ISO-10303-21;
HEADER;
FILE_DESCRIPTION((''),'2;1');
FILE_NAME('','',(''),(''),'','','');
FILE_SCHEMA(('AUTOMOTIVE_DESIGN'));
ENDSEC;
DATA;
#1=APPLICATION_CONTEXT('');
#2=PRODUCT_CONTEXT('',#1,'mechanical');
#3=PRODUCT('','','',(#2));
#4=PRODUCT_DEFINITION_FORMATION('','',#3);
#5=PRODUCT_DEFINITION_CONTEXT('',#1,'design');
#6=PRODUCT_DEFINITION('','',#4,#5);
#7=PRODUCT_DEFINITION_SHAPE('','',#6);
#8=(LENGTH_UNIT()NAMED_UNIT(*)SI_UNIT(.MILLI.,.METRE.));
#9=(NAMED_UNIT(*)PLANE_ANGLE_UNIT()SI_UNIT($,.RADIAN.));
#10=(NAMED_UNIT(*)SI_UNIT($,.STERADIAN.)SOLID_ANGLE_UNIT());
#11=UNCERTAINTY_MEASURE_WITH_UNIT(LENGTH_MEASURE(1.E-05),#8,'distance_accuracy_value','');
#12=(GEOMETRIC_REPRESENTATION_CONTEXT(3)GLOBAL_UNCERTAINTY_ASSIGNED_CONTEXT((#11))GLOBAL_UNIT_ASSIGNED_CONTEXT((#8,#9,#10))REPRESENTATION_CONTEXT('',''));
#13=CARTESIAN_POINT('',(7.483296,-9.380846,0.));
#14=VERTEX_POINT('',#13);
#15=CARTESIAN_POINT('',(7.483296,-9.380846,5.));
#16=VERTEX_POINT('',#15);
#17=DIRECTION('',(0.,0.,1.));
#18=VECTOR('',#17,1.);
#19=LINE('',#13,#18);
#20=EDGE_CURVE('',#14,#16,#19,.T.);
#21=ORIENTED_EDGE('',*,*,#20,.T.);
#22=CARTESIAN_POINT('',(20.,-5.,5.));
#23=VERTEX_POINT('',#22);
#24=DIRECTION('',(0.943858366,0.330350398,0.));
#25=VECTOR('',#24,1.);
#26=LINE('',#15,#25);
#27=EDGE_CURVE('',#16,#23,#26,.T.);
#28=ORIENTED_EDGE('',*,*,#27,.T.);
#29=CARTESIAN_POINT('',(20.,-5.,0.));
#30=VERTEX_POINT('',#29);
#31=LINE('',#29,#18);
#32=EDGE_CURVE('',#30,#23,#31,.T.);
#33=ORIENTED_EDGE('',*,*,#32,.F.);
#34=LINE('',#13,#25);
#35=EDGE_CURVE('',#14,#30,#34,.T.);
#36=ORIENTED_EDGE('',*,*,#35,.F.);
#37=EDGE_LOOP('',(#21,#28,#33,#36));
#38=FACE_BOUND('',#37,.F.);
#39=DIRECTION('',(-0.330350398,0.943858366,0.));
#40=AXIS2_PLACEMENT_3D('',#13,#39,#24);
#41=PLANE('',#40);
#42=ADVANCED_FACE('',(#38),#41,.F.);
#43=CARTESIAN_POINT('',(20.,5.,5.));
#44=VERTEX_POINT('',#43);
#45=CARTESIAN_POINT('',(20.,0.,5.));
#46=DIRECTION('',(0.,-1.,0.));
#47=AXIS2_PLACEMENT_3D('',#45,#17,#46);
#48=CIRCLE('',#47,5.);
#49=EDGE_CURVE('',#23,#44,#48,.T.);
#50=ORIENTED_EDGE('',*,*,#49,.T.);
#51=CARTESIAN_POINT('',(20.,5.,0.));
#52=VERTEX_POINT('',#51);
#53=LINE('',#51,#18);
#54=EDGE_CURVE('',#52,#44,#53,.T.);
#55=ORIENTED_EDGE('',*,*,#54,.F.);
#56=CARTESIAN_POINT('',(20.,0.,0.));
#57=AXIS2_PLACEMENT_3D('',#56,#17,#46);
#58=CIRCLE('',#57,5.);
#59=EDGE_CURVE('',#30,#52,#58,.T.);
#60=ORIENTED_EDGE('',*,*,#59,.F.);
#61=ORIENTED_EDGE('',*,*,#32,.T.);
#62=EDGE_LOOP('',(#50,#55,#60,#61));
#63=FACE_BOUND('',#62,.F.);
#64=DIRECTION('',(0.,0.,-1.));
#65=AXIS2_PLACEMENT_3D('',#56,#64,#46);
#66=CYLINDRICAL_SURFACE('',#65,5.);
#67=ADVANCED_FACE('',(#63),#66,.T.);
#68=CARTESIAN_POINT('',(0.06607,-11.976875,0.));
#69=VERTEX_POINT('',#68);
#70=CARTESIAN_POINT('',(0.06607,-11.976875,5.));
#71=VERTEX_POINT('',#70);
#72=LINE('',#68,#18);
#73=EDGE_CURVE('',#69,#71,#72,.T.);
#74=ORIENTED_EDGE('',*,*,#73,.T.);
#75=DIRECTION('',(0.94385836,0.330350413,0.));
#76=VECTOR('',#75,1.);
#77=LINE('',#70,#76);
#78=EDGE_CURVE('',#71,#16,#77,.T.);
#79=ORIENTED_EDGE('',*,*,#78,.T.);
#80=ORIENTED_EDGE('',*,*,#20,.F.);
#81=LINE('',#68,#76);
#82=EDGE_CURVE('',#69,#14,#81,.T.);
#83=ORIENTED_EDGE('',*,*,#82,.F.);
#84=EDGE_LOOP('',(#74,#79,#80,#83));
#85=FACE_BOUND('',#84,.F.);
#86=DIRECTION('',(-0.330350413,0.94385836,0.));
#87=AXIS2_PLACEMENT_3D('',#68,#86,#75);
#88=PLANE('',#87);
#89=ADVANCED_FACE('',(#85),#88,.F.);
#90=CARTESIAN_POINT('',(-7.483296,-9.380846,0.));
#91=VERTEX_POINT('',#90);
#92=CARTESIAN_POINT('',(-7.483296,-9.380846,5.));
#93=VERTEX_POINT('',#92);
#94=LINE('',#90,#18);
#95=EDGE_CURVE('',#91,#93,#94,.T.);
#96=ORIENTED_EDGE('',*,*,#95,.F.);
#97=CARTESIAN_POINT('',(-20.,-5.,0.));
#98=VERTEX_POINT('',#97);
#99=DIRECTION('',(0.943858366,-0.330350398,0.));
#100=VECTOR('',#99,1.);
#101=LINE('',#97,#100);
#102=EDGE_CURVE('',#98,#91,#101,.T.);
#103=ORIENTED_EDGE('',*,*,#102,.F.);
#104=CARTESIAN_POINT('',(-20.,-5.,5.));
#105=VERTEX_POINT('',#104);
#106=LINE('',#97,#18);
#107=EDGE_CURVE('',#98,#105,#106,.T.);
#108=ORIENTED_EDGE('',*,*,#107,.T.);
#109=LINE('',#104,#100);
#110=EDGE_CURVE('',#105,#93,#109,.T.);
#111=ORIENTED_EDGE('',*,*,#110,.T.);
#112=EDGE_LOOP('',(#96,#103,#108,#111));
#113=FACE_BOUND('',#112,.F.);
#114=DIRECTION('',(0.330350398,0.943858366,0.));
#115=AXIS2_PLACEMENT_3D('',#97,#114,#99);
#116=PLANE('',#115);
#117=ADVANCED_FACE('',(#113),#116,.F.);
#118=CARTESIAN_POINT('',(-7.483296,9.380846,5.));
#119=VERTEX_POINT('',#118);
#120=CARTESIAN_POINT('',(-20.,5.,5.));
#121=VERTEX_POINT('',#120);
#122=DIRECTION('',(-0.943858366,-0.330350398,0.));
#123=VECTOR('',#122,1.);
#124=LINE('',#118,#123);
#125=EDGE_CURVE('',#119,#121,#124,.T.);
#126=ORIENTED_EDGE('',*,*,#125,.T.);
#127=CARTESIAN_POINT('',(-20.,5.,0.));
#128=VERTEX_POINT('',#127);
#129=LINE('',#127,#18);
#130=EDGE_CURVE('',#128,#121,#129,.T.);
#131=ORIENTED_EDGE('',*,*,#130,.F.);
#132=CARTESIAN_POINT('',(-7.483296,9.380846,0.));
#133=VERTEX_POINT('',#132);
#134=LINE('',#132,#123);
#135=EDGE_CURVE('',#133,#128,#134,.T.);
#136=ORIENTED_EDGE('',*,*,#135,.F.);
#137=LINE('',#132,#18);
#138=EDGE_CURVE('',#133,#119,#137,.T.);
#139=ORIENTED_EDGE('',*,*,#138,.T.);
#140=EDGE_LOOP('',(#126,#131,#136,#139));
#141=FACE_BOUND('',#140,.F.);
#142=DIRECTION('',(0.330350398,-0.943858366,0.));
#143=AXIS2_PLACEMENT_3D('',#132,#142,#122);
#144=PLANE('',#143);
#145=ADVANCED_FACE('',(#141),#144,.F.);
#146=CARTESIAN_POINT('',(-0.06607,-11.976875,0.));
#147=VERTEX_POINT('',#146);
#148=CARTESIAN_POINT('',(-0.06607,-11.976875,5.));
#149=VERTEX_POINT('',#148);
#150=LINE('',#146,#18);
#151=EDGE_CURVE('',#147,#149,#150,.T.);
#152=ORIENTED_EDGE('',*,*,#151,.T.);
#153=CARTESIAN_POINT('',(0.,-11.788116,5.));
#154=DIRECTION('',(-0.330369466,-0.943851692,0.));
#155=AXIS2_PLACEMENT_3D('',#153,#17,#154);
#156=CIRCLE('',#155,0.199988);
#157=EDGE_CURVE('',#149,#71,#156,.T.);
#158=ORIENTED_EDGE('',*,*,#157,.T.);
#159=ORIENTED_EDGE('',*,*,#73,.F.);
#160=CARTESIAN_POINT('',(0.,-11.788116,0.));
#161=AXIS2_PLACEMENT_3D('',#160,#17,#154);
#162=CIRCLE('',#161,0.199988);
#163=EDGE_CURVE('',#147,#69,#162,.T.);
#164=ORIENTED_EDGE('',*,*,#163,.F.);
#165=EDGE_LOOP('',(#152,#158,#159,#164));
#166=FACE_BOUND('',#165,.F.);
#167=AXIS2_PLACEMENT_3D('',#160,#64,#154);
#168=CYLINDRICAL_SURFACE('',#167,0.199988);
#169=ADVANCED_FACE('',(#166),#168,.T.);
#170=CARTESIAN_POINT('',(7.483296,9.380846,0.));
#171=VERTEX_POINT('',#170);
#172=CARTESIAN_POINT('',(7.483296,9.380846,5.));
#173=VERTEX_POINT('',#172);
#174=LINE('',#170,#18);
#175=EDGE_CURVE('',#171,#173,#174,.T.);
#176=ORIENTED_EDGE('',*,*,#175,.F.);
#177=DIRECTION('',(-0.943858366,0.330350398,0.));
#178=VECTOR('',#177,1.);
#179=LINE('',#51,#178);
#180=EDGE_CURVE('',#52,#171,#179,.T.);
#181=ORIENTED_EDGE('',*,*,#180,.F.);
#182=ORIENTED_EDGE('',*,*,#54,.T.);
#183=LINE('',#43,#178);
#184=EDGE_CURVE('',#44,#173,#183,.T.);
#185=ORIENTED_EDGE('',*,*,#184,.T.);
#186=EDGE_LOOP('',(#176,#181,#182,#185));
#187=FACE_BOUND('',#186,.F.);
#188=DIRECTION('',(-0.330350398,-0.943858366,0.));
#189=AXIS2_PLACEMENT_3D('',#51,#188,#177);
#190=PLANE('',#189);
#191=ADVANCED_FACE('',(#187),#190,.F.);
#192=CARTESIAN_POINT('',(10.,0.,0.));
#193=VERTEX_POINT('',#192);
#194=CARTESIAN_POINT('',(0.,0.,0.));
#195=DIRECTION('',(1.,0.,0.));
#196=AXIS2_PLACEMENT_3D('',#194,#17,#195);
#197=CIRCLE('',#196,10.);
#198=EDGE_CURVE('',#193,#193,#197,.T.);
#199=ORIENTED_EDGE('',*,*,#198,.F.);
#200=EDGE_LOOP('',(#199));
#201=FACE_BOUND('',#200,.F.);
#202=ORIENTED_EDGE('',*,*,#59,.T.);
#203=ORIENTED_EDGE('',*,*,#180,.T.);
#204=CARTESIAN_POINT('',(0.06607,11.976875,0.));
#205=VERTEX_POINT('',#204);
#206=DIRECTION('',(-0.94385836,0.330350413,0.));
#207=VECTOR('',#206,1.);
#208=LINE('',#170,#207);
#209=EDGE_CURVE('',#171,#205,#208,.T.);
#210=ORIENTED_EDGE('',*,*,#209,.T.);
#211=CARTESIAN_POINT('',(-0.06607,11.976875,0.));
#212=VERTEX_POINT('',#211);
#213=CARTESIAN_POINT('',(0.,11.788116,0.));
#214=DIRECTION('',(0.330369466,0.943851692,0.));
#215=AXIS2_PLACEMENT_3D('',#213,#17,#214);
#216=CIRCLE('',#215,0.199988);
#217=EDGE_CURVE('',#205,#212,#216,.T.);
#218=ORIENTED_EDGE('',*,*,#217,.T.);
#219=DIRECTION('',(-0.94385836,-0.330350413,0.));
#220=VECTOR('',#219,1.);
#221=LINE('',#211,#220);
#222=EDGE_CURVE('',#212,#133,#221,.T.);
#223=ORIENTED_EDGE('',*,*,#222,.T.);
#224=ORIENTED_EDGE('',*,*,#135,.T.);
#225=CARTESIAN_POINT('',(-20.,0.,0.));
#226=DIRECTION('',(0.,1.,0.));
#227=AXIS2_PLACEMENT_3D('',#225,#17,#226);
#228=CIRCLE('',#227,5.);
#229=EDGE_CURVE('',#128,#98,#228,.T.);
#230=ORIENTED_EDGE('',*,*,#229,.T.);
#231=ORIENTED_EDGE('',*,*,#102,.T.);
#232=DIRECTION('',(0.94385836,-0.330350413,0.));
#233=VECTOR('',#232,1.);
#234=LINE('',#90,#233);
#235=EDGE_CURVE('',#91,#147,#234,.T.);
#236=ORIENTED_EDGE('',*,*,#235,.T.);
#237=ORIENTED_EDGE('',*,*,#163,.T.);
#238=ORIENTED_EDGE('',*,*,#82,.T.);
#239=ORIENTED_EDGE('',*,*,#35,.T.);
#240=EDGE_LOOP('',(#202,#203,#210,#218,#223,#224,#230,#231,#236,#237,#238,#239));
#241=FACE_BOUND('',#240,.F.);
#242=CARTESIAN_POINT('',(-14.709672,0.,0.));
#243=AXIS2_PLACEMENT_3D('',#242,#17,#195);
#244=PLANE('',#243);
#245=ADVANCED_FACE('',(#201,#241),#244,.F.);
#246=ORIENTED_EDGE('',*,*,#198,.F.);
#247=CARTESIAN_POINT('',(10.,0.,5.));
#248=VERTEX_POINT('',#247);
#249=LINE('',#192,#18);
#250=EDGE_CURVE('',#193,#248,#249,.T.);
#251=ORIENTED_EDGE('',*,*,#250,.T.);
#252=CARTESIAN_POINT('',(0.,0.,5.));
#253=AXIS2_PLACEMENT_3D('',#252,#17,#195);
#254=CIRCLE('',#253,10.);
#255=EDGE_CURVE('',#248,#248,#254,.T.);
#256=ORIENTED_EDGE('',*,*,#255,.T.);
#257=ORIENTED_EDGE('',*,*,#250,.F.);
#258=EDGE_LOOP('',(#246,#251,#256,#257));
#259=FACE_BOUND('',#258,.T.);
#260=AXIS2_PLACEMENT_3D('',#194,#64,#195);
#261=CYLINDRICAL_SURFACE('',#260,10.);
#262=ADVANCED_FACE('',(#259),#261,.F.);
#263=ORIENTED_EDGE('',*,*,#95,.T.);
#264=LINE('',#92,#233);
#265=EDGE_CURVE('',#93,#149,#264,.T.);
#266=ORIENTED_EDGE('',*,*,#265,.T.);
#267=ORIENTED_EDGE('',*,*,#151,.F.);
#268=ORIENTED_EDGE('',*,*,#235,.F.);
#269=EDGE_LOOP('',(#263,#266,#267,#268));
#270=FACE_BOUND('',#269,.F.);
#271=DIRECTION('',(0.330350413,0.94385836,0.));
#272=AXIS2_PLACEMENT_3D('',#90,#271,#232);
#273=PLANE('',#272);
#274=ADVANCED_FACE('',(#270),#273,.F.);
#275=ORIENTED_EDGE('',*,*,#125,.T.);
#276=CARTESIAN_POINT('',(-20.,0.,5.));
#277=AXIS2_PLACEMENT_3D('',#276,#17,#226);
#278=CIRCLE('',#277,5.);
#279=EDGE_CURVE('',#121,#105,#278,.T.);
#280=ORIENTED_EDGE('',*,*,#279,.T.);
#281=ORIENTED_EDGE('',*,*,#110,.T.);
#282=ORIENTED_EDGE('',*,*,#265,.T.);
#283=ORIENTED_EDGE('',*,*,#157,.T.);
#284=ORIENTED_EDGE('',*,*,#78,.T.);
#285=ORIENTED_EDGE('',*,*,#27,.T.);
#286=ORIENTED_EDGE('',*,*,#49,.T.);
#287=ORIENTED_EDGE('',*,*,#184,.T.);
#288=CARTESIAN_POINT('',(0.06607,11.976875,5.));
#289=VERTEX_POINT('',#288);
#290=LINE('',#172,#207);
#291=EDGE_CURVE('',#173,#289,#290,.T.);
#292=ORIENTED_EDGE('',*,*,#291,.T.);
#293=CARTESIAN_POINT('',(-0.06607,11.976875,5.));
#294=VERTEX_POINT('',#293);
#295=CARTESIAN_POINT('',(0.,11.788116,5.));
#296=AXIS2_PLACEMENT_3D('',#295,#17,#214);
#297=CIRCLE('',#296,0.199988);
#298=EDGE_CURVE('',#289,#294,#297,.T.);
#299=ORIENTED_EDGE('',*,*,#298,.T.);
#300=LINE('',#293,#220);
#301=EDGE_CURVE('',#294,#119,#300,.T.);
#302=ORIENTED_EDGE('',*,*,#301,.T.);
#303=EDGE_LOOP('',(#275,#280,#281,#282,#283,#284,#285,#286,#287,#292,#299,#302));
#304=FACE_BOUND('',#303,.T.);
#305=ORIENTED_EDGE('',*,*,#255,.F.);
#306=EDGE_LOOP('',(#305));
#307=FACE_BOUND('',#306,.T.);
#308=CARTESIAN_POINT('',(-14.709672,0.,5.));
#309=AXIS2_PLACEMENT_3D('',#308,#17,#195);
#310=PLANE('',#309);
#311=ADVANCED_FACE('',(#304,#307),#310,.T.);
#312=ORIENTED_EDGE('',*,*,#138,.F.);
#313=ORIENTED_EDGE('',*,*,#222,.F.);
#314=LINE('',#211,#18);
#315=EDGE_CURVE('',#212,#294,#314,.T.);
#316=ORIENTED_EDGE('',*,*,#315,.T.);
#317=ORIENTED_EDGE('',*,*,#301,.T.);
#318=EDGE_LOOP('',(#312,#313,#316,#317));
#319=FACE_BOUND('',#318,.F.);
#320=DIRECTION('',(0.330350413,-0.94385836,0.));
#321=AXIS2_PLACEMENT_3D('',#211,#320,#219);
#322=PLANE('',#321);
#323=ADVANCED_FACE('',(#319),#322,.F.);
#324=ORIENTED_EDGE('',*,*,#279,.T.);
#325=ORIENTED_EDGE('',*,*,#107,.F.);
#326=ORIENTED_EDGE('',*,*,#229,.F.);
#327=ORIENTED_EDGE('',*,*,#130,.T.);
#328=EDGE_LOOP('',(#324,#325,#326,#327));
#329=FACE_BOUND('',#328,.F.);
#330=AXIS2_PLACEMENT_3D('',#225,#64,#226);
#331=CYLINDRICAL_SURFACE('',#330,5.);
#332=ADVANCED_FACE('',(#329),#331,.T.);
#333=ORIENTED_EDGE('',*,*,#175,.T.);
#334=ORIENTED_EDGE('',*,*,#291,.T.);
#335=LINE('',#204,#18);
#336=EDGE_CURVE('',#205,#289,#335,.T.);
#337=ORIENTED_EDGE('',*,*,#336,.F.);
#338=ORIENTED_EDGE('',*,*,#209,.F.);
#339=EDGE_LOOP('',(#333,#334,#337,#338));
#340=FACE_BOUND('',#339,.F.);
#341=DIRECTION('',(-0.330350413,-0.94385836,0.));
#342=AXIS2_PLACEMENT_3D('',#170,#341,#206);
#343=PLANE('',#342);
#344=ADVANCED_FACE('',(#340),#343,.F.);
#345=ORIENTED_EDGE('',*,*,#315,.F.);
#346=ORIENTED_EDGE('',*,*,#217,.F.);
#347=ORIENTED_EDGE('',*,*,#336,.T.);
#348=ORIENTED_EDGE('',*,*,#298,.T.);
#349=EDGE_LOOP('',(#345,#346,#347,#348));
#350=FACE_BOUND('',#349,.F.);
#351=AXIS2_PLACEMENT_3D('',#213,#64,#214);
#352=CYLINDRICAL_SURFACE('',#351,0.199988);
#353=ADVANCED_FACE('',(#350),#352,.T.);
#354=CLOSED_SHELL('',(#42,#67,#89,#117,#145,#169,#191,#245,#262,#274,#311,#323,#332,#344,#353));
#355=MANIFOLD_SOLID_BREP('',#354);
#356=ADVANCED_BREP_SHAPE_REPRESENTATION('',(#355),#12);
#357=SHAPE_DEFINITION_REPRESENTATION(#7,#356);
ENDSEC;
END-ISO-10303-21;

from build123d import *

# Parameters (mm, degrees)
F0_R     = 10
F1_DEPTH = 5


with BuildPart() as f1:
    # F0 (on Top) → F1 (new body)
    with BuildSketch(Plane.XY):
        with BuildLine():
            Line((-7.483296, 9.380846), (-20, 5))
            ThreePointArc((-20, 5), (-25, 0), (-20, -5))
            Line((-20, -5), (-7.483296, -9.380846))
            ThreePointArc((-7.483296, -9.380846), (-12, 0), (-7.483296, 9.380846))
        make_face()
        with BuildLine():
            Line((-0.06607, 11.976875), (-7.483296, 9.380846))
            ThreePointArc((-7.483296, 9.380846), (-12, 0), (-7.483296, -9.380846))
            Line((-7.483296, -9.380846), (-0.06607, -11.976875))
            ThreePointArc((-0.06607, -11.976875), (0, -11.988104), (0.06607, -11.976875))
            Line((0.06607, -11.976875), (7.483296, -9.380846))
            ThreePointArc((7.483296, -9.380846), (12, 0), (7.483296, 9.380846))
            Line((7.483296, 9.380846), (0.06607, 11.976875))
            ThreePointArc((0.06607, 11.976875), (0, 11.988104), (-0.06607, 11.976875))
        make_face()
        Circle(F0_R, mode=Mode.SUBTRACT)
        with BuildLine():
            Line((20, 5), (7.483296, 9.380846))
            ThreePointArc((7.483296, 9.380846), (12, 0), (7.483296, -9.380846))
            Line((7.483296, -9.380846), (20, -5))
            ThreePointArc((20, -5), (25, 0), (20, 5))
        make_face()
    extrude(amount=F1_DEPTH)


solid = f1.part
